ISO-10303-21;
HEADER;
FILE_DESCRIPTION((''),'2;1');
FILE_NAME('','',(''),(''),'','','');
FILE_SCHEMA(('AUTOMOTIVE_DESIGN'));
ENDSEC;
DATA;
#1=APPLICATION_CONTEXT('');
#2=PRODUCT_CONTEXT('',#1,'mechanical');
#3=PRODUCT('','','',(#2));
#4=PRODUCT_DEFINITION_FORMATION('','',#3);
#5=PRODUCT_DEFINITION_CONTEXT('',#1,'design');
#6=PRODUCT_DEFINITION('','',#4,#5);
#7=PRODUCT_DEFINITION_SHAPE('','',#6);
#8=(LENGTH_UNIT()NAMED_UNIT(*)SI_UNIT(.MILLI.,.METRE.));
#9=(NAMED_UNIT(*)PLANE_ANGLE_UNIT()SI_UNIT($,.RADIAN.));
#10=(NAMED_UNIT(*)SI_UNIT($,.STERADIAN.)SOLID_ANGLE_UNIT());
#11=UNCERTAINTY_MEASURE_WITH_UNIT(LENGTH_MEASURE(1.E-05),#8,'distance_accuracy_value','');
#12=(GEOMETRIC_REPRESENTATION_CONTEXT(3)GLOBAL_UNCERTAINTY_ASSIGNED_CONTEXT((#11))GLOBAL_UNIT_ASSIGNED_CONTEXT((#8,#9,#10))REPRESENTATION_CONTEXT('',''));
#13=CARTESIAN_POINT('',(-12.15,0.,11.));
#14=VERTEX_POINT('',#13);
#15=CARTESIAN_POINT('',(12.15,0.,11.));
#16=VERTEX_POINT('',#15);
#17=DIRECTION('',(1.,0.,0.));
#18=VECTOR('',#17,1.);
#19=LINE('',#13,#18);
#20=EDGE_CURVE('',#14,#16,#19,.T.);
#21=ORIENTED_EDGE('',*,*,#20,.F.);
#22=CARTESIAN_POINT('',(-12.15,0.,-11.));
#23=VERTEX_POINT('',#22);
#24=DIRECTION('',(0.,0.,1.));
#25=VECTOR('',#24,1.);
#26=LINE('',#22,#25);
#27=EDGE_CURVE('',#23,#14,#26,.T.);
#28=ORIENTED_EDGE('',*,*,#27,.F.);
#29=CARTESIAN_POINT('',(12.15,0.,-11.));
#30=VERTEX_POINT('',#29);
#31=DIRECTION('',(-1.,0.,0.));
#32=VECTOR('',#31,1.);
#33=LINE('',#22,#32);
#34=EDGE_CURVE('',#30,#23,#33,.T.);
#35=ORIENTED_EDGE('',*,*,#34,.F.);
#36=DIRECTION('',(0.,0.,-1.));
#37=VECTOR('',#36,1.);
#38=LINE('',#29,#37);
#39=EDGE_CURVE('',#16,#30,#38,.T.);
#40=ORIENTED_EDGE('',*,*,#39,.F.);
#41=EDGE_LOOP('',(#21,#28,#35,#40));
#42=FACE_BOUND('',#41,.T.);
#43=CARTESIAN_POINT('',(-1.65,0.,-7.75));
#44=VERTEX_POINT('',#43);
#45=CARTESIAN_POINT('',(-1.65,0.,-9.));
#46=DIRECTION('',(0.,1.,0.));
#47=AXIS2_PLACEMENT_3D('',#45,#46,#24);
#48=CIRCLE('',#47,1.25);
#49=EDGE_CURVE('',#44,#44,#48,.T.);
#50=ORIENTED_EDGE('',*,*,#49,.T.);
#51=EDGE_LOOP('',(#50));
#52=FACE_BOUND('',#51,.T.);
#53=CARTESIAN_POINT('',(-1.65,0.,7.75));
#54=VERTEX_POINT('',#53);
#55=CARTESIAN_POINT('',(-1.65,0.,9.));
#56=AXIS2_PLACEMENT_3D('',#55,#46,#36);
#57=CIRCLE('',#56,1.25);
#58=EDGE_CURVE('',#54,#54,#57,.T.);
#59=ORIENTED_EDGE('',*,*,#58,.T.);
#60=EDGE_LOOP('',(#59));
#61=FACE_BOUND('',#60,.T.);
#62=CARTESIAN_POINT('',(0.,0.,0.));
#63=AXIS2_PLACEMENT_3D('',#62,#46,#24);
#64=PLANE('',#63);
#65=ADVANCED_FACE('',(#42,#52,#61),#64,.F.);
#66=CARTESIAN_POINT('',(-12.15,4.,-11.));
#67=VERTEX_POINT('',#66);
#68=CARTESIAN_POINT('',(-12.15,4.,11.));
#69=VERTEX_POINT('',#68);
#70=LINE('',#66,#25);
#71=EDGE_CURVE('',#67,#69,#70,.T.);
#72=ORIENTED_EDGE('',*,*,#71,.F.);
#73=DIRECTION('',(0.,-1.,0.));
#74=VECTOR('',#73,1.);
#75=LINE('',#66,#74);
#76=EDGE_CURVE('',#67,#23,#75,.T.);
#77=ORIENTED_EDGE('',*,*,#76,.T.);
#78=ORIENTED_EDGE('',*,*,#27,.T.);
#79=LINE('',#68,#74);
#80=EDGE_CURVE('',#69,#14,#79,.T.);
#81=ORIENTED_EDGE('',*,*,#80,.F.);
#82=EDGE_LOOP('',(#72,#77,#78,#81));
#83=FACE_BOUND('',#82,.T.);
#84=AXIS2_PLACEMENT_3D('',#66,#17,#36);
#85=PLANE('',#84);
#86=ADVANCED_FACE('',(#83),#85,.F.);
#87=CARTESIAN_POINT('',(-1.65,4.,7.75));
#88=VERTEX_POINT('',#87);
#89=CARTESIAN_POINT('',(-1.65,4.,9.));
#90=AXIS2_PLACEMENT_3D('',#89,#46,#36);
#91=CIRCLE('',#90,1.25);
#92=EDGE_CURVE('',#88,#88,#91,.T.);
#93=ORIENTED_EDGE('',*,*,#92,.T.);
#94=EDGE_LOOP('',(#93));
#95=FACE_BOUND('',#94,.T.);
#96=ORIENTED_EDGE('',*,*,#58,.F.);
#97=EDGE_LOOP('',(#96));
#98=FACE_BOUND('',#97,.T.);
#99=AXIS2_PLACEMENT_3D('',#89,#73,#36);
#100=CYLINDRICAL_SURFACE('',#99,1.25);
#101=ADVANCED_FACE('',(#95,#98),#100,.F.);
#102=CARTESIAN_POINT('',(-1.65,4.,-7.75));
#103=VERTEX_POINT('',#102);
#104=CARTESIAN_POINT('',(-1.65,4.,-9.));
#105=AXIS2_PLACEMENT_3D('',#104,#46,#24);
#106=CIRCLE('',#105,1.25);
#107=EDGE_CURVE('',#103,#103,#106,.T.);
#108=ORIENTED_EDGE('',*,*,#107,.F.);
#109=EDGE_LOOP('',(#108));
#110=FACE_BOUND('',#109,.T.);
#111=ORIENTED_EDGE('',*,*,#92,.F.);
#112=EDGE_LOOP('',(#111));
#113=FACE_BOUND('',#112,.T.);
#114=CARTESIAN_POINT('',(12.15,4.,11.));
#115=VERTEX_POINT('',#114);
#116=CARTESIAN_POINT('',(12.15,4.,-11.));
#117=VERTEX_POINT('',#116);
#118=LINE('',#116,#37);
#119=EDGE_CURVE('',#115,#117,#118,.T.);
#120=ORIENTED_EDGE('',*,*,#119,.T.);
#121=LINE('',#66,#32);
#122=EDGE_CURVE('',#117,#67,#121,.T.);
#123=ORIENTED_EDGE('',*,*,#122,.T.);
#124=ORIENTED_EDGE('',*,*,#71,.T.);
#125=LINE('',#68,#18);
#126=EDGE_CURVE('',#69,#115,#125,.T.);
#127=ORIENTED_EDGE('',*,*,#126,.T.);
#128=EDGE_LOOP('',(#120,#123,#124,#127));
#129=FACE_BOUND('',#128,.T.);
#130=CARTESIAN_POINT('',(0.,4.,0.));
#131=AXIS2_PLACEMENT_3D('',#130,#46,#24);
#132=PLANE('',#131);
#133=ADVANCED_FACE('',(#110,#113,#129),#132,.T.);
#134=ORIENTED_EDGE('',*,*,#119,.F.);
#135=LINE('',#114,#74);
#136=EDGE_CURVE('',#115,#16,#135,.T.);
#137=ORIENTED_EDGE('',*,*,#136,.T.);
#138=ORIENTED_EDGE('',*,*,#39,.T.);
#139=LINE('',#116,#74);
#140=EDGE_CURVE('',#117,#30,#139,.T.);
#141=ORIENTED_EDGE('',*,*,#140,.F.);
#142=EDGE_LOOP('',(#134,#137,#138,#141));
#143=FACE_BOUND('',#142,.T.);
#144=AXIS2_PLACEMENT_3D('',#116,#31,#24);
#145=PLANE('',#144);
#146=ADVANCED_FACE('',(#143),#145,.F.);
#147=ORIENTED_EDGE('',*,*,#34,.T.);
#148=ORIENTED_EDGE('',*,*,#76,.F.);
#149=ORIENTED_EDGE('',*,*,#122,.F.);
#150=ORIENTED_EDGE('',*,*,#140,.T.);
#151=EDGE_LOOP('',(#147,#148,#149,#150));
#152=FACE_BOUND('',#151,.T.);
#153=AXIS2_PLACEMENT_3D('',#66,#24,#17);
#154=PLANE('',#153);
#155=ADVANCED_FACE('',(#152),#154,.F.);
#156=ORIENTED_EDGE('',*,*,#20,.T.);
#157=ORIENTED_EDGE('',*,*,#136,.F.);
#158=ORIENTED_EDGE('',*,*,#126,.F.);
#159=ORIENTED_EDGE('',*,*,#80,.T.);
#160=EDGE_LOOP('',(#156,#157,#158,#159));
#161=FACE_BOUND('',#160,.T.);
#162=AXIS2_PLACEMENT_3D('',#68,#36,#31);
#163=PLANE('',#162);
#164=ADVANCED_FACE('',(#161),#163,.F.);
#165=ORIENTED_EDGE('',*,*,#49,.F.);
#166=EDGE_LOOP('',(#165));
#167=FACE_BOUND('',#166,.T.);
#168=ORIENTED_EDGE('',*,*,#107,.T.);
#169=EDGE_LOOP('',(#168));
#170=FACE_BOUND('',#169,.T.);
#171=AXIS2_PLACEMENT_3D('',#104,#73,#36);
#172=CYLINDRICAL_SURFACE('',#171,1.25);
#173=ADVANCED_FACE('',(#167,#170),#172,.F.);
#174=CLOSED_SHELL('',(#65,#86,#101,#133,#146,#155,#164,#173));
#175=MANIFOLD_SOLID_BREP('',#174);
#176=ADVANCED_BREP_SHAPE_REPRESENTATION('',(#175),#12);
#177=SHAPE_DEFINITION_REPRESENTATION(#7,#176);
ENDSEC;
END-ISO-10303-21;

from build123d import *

# Parameters (mm, degrees)
SKETCH1_W           = 24.3
SKETCH1_H           = 22
SKETCH1_R           = 1.25
BOSS_EXTRUDE1_DEPTH = 4


with BuildPart() as part:
    # Sketch1 → Boss-Extrude1 (new body)
    with BuildSketch(Plane(origin=(0, 0, 0), x_dir=(1, 0, 0), z_dir=(0, 1, 0))):
        Rectangle(SKETCH1_W, SKETCH1_H)
        with Locations(Location((-1.65, 9, 0), (0, 0, 270))):
            Circle(SKETCH1_R, mode=Mode.SUBTRACT)
        with Locations(Location((-1.65, -9, 0), (0, 0, 90))):
            Circle(SKETCH1_R, mode=Mode.SUBTRACT)
    extrude(amount=BOSS_EXTRUDE1_DEPTH)


solid = part.part
